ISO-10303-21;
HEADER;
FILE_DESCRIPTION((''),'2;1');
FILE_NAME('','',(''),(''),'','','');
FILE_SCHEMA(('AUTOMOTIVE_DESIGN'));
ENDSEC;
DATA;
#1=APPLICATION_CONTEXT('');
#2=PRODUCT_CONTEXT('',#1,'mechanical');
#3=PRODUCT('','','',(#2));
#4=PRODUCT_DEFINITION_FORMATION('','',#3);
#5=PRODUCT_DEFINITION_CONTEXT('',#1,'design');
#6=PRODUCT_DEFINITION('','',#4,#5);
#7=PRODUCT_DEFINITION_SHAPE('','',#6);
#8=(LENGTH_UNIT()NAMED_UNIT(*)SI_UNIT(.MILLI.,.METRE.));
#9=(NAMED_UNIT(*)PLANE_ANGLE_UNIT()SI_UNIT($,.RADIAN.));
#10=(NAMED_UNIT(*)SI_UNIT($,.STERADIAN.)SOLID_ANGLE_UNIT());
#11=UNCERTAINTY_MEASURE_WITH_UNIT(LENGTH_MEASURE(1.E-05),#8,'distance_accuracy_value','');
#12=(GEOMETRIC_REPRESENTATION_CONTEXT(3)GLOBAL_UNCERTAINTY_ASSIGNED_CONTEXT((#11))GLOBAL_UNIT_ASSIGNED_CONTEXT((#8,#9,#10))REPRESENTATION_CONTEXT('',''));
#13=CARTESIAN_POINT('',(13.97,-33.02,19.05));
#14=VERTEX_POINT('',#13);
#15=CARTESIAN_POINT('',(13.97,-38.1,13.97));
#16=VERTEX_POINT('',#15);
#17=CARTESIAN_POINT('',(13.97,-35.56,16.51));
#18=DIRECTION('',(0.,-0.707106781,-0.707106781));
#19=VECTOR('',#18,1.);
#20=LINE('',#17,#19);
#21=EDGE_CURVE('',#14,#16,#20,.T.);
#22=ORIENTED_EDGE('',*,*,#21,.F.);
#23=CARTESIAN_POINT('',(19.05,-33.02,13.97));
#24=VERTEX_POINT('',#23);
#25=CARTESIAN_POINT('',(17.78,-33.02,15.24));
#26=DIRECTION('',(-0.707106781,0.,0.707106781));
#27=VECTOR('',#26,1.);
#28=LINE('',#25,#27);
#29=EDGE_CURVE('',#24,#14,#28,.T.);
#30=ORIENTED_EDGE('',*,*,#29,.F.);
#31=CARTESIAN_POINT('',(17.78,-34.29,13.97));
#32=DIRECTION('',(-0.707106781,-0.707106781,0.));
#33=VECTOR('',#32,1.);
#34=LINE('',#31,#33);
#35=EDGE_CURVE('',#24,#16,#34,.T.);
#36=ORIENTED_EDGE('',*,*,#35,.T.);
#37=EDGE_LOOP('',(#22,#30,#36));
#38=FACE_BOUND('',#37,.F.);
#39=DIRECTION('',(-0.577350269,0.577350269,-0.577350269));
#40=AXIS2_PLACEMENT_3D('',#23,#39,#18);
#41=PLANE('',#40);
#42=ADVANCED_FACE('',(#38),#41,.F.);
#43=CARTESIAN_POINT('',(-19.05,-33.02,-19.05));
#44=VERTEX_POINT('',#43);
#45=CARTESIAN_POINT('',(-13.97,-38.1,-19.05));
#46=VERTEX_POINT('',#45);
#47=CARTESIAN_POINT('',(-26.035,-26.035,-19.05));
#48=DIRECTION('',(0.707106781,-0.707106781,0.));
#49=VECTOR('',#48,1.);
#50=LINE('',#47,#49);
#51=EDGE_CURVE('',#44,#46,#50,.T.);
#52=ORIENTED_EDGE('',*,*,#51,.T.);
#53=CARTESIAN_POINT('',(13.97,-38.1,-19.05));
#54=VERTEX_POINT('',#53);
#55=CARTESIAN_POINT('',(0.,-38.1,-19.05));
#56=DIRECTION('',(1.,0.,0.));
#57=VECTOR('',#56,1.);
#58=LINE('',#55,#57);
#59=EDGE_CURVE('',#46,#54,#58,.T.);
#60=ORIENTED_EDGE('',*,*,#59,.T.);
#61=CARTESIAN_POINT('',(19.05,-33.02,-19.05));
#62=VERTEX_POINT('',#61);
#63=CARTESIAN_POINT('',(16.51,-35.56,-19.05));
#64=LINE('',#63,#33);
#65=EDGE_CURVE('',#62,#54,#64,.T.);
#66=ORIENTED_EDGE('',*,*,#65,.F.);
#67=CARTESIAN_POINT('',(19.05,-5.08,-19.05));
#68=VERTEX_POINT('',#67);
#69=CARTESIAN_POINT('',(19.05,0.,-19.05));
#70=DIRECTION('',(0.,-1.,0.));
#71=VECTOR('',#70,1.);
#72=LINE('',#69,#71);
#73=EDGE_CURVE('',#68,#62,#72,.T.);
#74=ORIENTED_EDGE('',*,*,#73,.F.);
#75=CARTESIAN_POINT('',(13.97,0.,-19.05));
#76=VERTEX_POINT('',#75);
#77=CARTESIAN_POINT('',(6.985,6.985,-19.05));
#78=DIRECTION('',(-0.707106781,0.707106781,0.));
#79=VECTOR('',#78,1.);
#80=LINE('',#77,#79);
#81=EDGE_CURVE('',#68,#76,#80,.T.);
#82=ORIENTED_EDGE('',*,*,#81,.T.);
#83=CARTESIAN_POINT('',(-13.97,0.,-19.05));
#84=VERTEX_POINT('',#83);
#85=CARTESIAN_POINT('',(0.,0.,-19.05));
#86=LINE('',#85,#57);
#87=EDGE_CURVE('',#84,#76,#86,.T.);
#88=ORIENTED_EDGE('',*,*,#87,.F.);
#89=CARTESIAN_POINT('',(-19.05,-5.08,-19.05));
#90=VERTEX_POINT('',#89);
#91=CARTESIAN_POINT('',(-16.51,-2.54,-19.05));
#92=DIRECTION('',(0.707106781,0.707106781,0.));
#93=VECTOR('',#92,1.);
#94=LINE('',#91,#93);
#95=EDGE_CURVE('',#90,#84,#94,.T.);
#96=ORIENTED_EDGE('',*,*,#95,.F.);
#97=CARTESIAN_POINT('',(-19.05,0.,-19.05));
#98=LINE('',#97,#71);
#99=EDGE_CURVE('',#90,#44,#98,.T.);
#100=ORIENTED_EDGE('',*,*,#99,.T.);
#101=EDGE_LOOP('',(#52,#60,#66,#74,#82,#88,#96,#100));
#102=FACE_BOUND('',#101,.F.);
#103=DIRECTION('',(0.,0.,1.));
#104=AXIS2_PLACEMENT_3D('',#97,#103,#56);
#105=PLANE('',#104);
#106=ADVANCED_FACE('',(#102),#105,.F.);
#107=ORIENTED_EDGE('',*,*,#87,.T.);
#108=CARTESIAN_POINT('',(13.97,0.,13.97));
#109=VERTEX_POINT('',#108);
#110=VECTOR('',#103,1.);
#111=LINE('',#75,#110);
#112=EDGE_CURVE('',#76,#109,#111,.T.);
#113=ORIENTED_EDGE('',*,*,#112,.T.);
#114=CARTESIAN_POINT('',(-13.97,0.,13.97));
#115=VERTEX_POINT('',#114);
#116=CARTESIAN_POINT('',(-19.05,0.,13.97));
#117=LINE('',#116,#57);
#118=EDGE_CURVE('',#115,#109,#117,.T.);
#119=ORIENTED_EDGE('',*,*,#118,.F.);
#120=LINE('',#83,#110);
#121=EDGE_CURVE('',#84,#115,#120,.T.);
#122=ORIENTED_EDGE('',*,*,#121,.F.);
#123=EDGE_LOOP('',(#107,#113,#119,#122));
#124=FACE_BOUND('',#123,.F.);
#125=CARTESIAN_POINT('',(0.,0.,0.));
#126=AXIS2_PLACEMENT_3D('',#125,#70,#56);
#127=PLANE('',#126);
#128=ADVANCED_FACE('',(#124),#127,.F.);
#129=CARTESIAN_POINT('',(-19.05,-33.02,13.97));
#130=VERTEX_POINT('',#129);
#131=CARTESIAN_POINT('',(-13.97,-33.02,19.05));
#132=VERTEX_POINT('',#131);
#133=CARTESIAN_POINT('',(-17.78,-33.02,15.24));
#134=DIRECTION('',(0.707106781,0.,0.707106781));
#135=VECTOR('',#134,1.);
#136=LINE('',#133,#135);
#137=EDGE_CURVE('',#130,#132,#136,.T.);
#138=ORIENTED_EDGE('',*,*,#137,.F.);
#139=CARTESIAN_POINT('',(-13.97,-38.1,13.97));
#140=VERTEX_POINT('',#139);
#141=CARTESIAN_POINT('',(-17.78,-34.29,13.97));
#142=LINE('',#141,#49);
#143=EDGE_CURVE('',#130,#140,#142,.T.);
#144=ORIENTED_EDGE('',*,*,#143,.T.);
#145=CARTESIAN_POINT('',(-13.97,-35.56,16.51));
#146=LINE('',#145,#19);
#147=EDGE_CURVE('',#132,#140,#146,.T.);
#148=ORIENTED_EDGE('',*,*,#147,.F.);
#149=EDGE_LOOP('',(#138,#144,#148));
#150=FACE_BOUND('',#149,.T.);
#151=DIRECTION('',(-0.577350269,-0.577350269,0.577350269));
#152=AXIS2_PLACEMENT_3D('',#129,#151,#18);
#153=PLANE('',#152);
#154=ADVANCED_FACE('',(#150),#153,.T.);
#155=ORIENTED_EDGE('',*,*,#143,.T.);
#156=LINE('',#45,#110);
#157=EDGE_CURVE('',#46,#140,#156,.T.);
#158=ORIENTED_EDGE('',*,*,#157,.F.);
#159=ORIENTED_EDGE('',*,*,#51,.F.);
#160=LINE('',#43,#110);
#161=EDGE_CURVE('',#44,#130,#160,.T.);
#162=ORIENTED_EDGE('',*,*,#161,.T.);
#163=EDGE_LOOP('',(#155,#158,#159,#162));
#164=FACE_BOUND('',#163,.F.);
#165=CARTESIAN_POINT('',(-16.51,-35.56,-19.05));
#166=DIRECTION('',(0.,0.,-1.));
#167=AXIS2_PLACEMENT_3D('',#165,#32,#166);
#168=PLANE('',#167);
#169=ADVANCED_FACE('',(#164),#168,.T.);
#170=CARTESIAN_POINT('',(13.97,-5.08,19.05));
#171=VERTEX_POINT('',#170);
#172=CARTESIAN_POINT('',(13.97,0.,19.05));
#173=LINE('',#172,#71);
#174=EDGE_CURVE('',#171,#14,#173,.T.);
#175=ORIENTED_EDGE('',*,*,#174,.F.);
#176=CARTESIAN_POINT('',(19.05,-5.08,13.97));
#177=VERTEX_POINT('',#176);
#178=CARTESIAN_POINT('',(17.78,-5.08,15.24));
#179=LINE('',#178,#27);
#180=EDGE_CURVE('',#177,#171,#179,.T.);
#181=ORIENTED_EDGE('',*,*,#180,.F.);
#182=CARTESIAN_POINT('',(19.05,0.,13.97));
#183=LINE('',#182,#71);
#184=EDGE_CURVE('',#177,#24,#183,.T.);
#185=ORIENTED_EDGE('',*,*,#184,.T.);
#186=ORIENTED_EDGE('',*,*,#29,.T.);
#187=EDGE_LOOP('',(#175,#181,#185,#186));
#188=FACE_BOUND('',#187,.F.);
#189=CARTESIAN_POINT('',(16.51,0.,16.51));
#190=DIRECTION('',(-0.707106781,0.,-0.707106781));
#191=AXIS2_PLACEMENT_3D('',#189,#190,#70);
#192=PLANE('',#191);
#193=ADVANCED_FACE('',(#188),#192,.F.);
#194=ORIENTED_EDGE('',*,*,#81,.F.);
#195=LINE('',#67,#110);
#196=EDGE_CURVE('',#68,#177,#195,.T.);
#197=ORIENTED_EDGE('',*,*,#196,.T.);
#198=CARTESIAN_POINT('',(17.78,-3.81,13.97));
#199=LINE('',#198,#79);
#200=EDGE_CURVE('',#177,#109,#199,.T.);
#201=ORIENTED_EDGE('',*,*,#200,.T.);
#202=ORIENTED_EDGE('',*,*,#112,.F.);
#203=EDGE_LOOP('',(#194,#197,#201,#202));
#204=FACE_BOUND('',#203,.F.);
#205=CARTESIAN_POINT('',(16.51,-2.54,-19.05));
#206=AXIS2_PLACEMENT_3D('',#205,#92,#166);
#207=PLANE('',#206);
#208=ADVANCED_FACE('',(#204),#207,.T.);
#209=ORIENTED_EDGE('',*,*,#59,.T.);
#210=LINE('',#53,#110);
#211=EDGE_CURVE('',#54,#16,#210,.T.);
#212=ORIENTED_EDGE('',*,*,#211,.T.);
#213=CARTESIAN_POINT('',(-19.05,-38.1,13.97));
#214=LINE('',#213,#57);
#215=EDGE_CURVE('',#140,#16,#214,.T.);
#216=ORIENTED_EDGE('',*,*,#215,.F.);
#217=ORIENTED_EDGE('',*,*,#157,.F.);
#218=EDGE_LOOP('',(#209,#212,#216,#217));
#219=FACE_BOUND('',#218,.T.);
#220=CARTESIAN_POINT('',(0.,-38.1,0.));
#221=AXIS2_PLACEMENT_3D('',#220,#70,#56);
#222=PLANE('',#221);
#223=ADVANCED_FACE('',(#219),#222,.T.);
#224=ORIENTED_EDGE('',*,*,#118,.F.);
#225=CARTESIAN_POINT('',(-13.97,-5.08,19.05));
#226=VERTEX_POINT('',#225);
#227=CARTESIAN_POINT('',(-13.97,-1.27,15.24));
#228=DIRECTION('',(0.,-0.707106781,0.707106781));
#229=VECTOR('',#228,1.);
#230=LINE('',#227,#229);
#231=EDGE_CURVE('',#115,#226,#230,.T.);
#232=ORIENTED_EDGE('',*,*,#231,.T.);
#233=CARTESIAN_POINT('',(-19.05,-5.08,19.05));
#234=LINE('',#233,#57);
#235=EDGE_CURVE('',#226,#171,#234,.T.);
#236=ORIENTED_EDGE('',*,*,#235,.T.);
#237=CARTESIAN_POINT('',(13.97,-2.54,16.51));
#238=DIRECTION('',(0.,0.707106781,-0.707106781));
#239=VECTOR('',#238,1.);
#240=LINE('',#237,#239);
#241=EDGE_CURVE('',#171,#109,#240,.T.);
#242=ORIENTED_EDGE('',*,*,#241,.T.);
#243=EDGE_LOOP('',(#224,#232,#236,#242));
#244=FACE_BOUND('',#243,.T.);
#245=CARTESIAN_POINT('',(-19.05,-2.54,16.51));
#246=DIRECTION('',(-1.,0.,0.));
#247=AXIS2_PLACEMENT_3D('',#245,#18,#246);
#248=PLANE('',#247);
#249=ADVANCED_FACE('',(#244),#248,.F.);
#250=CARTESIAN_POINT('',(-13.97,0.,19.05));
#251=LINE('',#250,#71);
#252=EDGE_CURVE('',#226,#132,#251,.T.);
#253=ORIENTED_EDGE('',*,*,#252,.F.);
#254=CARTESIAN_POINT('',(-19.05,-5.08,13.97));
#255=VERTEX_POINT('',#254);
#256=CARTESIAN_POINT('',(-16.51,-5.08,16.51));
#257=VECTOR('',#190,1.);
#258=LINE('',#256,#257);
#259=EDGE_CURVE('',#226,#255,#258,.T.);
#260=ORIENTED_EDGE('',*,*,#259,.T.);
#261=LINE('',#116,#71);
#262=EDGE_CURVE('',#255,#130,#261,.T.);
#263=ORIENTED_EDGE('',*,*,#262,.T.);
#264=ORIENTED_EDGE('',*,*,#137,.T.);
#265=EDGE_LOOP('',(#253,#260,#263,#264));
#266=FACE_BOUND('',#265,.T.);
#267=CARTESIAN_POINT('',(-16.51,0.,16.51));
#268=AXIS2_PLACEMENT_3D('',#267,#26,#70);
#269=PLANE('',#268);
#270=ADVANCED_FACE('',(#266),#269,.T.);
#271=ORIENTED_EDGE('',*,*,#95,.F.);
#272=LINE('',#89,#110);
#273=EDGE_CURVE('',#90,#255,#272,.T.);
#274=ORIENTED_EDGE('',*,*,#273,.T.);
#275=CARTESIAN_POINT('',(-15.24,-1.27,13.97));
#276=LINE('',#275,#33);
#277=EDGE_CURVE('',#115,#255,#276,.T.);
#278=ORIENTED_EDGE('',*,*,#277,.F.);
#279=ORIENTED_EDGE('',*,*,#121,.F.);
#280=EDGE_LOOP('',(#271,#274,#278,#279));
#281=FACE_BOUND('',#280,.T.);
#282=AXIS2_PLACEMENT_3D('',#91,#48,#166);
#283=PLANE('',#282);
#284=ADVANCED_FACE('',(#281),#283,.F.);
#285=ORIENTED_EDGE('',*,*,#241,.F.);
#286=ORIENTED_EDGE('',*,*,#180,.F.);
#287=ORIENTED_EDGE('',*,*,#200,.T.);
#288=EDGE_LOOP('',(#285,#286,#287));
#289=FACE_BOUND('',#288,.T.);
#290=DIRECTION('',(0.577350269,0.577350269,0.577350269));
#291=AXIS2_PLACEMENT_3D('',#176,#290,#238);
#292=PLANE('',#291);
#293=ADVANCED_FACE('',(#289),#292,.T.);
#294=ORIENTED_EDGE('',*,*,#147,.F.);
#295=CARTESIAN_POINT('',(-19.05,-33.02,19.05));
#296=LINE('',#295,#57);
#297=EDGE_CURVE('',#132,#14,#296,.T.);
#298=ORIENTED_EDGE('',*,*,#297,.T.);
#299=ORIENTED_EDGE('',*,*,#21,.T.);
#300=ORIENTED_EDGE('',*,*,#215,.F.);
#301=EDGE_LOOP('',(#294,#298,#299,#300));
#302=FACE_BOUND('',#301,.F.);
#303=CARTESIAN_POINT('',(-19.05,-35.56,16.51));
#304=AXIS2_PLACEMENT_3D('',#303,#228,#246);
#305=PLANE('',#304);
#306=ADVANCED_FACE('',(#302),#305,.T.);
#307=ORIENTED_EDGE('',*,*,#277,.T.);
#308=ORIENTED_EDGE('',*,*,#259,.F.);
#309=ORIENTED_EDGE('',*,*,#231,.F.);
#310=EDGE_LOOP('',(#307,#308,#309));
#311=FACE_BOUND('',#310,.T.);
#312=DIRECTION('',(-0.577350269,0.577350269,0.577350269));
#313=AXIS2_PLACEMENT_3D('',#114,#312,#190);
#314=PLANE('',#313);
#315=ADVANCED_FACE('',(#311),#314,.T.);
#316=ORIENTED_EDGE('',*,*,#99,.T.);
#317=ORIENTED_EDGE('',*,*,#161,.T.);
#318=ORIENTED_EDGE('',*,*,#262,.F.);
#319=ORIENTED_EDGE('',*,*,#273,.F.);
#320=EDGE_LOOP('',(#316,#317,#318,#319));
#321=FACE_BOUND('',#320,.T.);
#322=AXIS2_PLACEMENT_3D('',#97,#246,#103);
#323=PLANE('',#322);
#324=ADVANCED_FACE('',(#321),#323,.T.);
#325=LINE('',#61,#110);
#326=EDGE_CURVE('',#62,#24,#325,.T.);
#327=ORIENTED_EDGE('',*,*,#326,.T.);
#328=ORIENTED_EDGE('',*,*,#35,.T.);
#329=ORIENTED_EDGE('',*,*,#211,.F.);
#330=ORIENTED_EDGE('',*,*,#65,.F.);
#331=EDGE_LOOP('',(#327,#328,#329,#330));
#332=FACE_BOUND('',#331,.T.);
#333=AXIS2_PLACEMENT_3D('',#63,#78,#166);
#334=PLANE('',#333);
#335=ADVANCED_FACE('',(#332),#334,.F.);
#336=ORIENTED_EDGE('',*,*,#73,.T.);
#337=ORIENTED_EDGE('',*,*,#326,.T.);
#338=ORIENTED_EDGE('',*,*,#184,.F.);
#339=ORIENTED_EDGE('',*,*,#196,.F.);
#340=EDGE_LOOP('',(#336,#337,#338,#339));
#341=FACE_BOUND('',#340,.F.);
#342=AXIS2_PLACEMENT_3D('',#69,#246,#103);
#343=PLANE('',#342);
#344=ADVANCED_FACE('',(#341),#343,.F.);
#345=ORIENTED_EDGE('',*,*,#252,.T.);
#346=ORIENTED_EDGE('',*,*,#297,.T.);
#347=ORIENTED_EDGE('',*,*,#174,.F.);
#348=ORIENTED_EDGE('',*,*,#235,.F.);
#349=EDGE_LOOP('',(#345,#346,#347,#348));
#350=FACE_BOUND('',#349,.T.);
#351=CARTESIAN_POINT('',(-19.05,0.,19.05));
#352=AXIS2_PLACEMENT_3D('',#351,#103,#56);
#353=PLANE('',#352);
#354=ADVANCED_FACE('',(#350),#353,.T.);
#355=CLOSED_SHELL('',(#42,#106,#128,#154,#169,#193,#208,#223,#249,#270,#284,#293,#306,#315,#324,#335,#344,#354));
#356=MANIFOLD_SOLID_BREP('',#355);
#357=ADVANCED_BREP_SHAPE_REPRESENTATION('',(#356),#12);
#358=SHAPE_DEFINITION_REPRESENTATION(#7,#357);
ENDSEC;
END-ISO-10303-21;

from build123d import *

# Parameters (mm, degrees)
F0_W     = 38.1
F0_H     = 38.1
F1_DEPTH = 38.1
F2_SIZE  = 5.08


with BuildPart() as f1:
    # F0 (on Front) → F1 (new body)
    with BuildSketch(Plane.XZ):
        Rectangle(F0_W, F0_H)
    extrude(amount=F1_DEPTH)

    # F2
    f2_edges = [f1.edges().sort_by_distance(p)[0] for p in [
        (0, -38.1, 19.05),
        (-19.05, -19.05, 19.05),
        (0, 0, 19.05),
        (19.05, -19.05, 19.05),
        (19.05, -38.1, 0),
        (19.05, 0, 0),
        (-19.05, -38.1, 0),
        (-19.05, 0, 0),
    ]]
    chamfer(f2_edges, length=F2_SIZE)


solid = f1.part
